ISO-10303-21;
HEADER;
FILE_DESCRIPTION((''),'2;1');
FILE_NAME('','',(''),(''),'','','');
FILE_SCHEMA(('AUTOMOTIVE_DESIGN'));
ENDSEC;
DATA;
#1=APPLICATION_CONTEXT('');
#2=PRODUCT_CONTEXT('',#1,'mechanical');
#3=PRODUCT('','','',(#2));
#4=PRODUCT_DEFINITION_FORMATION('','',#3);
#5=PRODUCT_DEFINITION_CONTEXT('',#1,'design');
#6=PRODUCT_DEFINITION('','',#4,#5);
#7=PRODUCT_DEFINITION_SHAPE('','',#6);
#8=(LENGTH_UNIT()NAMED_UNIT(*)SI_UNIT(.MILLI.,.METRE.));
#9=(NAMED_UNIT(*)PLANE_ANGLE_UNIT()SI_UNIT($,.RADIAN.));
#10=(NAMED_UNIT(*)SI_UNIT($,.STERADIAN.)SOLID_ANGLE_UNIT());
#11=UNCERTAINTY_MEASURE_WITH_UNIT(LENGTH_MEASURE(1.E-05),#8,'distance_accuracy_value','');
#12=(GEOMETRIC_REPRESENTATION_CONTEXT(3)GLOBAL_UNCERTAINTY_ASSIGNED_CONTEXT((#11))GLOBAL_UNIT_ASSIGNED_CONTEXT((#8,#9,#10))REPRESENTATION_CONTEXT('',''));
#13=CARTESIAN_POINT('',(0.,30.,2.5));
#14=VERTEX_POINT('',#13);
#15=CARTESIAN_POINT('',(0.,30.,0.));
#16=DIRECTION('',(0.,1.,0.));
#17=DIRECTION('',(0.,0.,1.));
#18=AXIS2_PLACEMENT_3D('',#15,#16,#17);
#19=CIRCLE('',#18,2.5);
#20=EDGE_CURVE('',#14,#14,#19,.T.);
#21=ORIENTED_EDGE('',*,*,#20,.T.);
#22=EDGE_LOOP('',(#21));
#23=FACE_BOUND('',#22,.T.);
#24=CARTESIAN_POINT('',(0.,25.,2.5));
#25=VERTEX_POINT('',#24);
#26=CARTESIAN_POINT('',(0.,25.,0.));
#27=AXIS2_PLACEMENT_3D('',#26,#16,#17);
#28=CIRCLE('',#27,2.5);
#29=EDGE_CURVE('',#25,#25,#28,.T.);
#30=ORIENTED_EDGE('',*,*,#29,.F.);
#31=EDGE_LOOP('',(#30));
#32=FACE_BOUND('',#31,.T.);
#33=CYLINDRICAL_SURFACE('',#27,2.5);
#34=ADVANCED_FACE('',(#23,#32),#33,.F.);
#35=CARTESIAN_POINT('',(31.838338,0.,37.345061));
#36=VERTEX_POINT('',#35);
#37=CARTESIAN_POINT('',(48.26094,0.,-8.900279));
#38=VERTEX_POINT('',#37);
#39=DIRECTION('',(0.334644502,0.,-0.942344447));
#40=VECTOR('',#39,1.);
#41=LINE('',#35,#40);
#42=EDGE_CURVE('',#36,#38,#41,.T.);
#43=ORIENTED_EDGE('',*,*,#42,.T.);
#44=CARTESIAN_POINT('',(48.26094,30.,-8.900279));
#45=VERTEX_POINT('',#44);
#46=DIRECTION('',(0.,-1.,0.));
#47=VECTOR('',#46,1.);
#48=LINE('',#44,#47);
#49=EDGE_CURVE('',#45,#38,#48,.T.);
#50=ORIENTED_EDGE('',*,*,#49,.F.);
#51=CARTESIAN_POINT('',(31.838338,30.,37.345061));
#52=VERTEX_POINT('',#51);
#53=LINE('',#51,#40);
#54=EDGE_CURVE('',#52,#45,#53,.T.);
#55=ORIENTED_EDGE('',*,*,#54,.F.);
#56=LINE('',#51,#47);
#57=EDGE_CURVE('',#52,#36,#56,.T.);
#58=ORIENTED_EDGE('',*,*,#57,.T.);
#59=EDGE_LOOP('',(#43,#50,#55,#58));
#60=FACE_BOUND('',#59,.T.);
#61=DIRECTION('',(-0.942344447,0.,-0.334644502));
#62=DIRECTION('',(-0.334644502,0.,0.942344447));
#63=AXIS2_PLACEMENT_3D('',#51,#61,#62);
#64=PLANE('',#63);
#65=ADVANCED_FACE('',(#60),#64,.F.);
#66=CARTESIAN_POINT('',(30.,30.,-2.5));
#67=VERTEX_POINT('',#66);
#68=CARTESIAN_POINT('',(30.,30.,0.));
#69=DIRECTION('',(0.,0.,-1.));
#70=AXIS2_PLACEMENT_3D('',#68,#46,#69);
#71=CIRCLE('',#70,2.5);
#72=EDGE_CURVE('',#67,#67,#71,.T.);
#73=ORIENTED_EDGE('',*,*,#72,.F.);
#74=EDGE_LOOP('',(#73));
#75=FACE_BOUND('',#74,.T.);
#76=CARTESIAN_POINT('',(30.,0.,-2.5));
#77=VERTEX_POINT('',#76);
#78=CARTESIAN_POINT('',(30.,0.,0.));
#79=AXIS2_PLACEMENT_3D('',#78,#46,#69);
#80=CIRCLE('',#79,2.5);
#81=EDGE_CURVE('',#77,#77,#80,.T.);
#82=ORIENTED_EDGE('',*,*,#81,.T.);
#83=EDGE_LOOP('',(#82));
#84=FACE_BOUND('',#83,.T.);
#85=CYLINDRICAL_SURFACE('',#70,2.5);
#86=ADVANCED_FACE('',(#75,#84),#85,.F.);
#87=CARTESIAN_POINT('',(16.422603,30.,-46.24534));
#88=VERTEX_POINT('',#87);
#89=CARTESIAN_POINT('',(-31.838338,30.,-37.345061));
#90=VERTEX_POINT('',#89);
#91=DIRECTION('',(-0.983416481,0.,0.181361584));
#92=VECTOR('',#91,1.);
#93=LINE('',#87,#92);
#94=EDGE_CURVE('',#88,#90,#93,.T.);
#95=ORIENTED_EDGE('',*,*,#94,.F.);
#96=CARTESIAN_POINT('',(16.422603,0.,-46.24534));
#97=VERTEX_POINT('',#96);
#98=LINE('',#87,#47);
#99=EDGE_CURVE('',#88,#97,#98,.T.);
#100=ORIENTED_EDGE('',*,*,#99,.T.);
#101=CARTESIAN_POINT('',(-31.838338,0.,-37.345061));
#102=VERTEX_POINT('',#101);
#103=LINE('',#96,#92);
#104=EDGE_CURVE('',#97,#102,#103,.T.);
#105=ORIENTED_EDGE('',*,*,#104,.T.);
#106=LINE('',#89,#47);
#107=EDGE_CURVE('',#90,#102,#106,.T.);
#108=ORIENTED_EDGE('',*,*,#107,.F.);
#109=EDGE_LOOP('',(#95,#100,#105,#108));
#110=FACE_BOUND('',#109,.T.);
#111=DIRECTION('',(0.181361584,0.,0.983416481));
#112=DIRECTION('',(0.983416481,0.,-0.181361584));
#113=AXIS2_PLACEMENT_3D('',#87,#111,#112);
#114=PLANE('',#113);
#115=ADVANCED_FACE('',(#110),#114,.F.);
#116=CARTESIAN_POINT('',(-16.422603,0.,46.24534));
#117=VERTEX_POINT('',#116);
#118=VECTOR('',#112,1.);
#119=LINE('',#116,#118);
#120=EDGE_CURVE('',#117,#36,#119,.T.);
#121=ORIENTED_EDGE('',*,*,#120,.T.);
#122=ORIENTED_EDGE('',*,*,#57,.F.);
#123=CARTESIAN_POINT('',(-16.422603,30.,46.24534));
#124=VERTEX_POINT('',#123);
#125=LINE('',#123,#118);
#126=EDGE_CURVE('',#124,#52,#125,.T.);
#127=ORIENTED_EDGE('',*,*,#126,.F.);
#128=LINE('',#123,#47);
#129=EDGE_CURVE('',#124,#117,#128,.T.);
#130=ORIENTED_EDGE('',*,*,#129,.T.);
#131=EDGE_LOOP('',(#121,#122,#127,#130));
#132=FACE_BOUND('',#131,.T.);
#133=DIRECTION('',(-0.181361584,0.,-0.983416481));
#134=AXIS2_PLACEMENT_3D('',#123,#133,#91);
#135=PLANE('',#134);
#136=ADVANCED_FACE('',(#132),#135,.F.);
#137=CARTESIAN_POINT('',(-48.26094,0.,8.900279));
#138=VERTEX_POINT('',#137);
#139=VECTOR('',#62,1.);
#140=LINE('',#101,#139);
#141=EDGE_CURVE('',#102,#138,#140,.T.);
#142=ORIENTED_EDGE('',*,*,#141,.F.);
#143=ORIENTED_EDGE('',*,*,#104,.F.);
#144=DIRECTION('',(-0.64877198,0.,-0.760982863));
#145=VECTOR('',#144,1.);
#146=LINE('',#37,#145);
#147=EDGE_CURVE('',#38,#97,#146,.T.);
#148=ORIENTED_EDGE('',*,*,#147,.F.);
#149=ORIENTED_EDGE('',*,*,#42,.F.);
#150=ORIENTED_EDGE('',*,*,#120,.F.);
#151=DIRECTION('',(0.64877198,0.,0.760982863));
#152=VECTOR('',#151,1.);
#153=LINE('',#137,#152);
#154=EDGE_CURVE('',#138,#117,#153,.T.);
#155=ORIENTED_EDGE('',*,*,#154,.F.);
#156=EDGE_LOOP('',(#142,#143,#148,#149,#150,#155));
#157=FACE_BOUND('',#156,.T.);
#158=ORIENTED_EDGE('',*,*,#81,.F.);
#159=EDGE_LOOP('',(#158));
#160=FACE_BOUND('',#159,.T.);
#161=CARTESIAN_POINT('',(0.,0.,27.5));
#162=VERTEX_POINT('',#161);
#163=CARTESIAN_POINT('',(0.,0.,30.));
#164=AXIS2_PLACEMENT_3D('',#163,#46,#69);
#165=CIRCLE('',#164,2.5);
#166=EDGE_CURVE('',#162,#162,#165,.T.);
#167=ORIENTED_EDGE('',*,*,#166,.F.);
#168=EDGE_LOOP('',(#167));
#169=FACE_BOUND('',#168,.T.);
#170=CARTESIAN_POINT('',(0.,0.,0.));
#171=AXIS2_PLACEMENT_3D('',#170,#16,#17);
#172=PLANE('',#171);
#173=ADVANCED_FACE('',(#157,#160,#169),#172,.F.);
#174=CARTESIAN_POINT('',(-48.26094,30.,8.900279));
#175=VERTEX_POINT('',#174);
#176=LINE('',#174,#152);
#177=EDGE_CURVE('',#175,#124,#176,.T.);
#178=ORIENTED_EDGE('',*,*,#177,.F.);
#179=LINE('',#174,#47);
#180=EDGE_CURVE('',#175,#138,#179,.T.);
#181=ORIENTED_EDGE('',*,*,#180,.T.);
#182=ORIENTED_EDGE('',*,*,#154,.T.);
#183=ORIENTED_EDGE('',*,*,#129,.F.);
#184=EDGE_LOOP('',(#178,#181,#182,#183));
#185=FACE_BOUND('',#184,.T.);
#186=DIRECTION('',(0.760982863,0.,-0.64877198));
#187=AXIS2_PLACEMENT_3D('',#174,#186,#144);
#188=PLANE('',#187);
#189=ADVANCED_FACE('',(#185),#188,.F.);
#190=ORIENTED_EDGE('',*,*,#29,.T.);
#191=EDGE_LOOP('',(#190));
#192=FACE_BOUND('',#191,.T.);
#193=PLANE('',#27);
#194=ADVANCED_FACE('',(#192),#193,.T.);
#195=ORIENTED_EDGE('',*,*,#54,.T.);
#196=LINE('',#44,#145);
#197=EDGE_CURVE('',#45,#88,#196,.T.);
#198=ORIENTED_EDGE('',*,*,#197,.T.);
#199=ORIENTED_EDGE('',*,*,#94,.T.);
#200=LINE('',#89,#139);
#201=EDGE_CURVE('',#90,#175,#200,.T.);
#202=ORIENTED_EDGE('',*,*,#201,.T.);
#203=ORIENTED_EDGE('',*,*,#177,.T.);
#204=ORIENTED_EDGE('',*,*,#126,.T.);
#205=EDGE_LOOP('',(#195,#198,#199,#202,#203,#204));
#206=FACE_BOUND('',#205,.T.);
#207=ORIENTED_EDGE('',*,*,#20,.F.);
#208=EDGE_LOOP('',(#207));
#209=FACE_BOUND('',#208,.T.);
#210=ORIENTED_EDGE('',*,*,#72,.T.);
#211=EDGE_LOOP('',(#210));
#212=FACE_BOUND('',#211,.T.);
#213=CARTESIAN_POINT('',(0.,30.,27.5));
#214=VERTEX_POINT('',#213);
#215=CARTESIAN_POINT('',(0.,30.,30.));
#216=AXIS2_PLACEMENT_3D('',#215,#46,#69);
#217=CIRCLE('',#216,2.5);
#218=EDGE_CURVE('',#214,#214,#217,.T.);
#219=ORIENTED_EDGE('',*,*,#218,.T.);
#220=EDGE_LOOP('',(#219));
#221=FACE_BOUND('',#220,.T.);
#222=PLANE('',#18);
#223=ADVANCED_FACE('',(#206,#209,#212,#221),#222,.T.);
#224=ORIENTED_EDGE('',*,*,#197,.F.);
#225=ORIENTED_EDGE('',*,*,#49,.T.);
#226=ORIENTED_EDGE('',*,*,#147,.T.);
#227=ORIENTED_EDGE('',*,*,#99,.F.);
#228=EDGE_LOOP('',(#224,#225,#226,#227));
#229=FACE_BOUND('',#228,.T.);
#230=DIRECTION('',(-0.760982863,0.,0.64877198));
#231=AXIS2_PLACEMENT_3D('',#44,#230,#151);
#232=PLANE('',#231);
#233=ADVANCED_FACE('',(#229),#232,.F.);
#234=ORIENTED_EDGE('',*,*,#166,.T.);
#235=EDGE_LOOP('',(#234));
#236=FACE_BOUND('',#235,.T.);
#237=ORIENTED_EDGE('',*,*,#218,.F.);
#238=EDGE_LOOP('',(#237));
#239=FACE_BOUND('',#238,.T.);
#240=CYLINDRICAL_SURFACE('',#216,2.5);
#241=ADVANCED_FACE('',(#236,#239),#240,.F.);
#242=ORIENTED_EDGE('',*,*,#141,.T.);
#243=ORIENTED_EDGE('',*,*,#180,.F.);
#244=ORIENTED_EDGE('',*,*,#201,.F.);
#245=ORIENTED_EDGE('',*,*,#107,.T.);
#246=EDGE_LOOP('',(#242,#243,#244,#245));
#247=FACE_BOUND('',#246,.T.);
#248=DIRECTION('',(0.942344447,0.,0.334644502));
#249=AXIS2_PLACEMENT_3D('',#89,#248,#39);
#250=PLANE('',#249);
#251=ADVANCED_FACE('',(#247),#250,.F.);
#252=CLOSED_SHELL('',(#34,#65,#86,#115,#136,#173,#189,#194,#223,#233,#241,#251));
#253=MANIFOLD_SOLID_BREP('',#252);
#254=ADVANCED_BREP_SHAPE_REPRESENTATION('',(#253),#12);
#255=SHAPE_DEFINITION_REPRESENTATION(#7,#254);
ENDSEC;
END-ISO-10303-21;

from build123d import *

# Parameters (mm, degrees)
SALIENTE_EXTRUIR1_DEPTH = 30
CROQUIS2_R              = 2.5
CORTAR_EXTRUIR1_DEPTH   = 5
CROQUIS3_R              = 2.5
CORTAR_EXTRUIR2_DEPTH   = 74.264929004


with BuildPart() as part:
    # Croquis1 → Saliente-Extruir1 (new body)
    with BuildSketch(Plane(origin=(0, 0, 0), x_dir=(1, 0, 0), z_dir=(0, 1, 0))):
        Polygon((-31.838337555, 37.345061187), (-48.260940471, -8.900278543), (-16.422602917, -46.24533973), (31.838337555, -37.345061187), (48.260940471, 8.900278543), (16.422602917, 46.24533973), align=None)
    extrude(amount=SALIENTE_EXTRUIR1_DEPTH)

    # Croquis2 → Cortar-Extruir1 (cut)
    with BuildSketch(Plane(origin=(0, 30, 0), x_dir=(1, 0, 0), z_dir=(0, 1, 0))):
        with Locations(Location((0, 0, 0), (0, 0, 270))):
            Circle(CROQUIS2_R)
    extrude(amount=-CORTAR_EXTRUIR1_DEPTH, mode=Mode.SUBTRACT)

    # Croquis3 → Cortar-Extruir2 (cut, through all)
    with BuildSketch(Plane.XZ):
        with Locations(Location((0, 30, 0), (0, 0, 270))):
            Circle(CROQUIS3_R)
        with Locations(Location((30, 0, 0), (0, 0, 270))):
            Circle(CROQUIS3_R)
    extrude(amount=-CORTAR_EXTRUIR2_DEPTH, mode=Mode.SUBTRACT)


solid = part.part
